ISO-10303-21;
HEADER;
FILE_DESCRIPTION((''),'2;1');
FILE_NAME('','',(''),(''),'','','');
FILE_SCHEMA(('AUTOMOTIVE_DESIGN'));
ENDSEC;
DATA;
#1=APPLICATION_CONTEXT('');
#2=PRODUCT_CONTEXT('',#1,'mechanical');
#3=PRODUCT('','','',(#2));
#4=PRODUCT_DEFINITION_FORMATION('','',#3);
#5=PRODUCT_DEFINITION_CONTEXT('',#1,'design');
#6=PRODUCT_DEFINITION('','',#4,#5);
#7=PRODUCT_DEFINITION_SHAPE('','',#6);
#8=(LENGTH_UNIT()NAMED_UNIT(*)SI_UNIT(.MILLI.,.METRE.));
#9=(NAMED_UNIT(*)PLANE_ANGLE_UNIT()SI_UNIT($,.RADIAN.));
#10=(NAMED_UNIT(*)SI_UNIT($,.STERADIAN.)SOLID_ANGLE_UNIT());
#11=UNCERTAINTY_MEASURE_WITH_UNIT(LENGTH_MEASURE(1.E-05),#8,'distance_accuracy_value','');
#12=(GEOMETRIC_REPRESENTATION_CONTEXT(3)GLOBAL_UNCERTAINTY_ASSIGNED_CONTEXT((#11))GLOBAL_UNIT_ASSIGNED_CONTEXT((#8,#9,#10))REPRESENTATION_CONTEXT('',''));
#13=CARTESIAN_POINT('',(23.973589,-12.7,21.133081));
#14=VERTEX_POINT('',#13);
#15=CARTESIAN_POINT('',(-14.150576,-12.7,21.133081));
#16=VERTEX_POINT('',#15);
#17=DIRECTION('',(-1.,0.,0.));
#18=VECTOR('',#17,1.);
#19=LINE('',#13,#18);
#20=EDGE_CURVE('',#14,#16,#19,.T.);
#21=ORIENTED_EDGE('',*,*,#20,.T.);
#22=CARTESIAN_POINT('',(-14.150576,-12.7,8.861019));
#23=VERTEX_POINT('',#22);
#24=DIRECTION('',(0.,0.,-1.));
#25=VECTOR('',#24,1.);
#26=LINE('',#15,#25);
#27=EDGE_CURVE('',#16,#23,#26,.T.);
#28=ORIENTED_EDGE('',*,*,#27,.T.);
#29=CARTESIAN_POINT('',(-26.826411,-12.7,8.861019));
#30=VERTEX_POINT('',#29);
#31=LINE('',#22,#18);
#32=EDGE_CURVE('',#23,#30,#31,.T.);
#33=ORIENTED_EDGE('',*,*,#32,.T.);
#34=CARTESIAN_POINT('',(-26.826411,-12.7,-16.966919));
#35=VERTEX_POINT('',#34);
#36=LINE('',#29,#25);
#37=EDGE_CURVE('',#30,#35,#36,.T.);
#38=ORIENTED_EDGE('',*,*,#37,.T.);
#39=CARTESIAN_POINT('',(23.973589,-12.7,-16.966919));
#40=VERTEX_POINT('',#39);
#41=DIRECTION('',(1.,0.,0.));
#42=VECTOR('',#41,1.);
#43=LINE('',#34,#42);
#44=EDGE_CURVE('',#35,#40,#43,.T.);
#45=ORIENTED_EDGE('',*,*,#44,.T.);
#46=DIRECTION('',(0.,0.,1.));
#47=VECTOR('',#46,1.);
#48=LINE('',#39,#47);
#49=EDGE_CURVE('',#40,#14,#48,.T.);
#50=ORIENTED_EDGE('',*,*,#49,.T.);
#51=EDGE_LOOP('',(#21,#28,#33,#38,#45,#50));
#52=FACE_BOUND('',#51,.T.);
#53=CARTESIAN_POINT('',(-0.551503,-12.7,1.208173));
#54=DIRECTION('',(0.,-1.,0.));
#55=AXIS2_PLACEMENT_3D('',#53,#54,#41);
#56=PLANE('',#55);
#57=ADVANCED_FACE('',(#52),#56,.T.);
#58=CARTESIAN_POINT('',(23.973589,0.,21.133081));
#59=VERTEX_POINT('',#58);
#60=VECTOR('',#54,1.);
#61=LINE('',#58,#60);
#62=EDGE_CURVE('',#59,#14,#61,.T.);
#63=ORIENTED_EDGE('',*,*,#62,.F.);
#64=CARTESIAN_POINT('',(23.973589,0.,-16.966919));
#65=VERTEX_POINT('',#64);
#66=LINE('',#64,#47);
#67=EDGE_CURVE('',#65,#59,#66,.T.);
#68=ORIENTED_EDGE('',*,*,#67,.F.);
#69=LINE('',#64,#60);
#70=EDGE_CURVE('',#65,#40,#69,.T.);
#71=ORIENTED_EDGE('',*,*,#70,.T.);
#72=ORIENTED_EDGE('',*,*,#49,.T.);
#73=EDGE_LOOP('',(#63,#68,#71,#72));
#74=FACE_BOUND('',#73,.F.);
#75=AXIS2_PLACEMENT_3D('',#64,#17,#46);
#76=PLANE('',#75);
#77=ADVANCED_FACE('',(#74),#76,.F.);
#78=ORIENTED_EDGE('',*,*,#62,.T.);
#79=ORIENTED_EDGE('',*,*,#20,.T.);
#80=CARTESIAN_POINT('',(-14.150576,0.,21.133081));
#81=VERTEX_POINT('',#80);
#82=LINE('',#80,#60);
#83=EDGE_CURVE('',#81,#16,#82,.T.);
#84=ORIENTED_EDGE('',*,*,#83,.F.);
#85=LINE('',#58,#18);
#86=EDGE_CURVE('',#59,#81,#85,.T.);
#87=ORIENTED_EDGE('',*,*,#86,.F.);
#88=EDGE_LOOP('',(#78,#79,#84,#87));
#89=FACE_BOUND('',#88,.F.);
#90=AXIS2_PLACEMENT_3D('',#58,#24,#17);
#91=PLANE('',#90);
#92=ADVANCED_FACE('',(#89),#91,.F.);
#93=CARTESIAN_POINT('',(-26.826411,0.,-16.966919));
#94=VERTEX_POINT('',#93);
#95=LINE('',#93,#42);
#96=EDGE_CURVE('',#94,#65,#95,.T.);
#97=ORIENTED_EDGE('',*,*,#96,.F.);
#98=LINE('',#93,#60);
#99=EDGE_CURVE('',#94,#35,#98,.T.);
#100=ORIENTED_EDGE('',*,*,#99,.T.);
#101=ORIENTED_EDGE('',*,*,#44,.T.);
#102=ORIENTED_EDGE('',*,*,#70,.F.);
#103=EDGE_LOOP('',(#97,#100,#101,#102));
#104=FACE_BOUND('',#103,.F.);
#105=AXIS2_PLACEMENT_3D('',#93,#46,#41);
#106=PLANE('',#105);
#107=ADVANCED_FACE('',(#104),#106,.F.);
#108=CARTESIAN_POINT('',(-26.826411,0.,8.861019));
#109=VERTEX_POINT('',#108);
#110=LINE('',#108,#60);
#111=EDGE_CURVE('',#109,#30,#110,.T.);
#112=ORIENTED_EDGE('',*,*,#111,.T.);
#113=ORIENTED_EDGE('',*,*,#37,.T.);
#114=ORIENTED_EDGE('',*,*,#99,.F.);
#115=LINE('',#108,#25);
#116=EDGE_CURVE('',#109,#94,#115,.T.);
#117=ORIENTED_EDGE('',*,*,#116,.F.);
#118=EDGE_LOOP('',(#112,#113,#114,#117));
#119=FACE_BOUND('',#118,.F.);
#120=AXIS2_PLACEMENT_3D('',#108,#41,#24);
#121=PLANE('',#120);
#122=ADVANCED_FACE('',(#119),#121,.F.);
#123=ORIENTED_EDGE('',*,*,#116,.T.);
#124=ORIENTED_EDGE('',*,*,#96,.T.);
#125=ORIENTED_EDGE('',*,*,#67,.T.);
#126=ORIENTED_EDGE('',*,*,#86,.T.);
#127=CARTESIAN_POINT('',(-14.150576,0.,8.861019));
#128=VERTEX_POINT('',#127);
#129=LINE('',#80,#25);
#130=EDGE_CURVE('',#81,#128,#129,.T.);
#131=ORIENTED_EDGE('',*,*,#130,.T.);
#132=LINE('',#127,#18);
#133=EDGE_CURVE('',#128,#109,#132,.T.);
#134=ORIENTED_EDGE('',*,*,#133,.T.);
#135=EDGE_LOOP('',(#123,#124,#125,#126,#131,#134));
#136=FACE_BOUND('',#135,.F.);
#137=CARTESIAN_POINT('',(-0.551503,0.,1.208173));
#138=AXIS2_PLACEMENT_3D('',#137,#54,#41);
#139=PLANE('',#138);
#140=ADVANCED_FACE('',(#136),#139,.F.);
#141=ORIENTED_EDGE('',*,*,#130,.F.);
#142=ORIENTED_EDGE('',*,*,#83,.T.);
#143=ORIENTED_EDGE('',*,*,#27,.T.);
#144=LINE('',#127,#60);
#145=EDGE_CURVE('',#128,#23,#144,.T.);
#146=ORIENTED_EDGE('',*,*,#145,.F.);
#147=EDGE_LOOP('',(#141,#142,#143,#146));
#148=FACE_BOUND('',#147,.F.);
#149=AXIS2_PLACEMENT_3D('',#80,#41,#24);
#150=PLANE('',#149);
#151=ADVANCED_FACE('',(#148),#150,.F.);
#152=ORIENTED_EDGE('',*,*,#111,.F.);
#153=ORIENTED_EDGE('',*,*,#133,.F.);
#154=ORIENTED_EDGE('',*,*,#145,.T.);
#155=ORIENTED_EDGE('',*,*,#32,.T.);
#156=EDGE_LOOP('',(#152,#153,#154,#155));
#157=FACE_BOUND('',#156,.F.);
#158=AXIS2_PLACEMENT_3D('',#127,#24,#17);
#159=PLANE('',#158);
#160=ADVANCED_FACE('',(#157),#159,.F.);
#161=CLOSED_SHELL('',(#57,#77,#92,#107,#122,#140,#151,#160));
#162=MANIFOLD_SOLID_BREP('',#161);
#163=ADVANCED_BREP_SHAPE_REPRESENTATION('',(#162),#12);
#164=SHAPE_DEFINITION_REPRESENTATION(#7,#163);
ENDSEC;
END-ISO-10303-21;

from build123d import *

# Parameters (mm, degrees)
F2_DEPTH = 12.7


with BuildPart() as f2:
    # F1 (on face) → F2 (new body)
    with BuildSketch(Plane.XZ):
        Polygon((23.973589, 21.133081), (-14.150576, 21.133081), (-14.150576, 8.861019), (-26.826411, 8.861019), (-26.826411, -16.966919), (23.973589, -16.966919), align=None)
    extrude(amount=F2_DEPTH)


solid = f2.part
